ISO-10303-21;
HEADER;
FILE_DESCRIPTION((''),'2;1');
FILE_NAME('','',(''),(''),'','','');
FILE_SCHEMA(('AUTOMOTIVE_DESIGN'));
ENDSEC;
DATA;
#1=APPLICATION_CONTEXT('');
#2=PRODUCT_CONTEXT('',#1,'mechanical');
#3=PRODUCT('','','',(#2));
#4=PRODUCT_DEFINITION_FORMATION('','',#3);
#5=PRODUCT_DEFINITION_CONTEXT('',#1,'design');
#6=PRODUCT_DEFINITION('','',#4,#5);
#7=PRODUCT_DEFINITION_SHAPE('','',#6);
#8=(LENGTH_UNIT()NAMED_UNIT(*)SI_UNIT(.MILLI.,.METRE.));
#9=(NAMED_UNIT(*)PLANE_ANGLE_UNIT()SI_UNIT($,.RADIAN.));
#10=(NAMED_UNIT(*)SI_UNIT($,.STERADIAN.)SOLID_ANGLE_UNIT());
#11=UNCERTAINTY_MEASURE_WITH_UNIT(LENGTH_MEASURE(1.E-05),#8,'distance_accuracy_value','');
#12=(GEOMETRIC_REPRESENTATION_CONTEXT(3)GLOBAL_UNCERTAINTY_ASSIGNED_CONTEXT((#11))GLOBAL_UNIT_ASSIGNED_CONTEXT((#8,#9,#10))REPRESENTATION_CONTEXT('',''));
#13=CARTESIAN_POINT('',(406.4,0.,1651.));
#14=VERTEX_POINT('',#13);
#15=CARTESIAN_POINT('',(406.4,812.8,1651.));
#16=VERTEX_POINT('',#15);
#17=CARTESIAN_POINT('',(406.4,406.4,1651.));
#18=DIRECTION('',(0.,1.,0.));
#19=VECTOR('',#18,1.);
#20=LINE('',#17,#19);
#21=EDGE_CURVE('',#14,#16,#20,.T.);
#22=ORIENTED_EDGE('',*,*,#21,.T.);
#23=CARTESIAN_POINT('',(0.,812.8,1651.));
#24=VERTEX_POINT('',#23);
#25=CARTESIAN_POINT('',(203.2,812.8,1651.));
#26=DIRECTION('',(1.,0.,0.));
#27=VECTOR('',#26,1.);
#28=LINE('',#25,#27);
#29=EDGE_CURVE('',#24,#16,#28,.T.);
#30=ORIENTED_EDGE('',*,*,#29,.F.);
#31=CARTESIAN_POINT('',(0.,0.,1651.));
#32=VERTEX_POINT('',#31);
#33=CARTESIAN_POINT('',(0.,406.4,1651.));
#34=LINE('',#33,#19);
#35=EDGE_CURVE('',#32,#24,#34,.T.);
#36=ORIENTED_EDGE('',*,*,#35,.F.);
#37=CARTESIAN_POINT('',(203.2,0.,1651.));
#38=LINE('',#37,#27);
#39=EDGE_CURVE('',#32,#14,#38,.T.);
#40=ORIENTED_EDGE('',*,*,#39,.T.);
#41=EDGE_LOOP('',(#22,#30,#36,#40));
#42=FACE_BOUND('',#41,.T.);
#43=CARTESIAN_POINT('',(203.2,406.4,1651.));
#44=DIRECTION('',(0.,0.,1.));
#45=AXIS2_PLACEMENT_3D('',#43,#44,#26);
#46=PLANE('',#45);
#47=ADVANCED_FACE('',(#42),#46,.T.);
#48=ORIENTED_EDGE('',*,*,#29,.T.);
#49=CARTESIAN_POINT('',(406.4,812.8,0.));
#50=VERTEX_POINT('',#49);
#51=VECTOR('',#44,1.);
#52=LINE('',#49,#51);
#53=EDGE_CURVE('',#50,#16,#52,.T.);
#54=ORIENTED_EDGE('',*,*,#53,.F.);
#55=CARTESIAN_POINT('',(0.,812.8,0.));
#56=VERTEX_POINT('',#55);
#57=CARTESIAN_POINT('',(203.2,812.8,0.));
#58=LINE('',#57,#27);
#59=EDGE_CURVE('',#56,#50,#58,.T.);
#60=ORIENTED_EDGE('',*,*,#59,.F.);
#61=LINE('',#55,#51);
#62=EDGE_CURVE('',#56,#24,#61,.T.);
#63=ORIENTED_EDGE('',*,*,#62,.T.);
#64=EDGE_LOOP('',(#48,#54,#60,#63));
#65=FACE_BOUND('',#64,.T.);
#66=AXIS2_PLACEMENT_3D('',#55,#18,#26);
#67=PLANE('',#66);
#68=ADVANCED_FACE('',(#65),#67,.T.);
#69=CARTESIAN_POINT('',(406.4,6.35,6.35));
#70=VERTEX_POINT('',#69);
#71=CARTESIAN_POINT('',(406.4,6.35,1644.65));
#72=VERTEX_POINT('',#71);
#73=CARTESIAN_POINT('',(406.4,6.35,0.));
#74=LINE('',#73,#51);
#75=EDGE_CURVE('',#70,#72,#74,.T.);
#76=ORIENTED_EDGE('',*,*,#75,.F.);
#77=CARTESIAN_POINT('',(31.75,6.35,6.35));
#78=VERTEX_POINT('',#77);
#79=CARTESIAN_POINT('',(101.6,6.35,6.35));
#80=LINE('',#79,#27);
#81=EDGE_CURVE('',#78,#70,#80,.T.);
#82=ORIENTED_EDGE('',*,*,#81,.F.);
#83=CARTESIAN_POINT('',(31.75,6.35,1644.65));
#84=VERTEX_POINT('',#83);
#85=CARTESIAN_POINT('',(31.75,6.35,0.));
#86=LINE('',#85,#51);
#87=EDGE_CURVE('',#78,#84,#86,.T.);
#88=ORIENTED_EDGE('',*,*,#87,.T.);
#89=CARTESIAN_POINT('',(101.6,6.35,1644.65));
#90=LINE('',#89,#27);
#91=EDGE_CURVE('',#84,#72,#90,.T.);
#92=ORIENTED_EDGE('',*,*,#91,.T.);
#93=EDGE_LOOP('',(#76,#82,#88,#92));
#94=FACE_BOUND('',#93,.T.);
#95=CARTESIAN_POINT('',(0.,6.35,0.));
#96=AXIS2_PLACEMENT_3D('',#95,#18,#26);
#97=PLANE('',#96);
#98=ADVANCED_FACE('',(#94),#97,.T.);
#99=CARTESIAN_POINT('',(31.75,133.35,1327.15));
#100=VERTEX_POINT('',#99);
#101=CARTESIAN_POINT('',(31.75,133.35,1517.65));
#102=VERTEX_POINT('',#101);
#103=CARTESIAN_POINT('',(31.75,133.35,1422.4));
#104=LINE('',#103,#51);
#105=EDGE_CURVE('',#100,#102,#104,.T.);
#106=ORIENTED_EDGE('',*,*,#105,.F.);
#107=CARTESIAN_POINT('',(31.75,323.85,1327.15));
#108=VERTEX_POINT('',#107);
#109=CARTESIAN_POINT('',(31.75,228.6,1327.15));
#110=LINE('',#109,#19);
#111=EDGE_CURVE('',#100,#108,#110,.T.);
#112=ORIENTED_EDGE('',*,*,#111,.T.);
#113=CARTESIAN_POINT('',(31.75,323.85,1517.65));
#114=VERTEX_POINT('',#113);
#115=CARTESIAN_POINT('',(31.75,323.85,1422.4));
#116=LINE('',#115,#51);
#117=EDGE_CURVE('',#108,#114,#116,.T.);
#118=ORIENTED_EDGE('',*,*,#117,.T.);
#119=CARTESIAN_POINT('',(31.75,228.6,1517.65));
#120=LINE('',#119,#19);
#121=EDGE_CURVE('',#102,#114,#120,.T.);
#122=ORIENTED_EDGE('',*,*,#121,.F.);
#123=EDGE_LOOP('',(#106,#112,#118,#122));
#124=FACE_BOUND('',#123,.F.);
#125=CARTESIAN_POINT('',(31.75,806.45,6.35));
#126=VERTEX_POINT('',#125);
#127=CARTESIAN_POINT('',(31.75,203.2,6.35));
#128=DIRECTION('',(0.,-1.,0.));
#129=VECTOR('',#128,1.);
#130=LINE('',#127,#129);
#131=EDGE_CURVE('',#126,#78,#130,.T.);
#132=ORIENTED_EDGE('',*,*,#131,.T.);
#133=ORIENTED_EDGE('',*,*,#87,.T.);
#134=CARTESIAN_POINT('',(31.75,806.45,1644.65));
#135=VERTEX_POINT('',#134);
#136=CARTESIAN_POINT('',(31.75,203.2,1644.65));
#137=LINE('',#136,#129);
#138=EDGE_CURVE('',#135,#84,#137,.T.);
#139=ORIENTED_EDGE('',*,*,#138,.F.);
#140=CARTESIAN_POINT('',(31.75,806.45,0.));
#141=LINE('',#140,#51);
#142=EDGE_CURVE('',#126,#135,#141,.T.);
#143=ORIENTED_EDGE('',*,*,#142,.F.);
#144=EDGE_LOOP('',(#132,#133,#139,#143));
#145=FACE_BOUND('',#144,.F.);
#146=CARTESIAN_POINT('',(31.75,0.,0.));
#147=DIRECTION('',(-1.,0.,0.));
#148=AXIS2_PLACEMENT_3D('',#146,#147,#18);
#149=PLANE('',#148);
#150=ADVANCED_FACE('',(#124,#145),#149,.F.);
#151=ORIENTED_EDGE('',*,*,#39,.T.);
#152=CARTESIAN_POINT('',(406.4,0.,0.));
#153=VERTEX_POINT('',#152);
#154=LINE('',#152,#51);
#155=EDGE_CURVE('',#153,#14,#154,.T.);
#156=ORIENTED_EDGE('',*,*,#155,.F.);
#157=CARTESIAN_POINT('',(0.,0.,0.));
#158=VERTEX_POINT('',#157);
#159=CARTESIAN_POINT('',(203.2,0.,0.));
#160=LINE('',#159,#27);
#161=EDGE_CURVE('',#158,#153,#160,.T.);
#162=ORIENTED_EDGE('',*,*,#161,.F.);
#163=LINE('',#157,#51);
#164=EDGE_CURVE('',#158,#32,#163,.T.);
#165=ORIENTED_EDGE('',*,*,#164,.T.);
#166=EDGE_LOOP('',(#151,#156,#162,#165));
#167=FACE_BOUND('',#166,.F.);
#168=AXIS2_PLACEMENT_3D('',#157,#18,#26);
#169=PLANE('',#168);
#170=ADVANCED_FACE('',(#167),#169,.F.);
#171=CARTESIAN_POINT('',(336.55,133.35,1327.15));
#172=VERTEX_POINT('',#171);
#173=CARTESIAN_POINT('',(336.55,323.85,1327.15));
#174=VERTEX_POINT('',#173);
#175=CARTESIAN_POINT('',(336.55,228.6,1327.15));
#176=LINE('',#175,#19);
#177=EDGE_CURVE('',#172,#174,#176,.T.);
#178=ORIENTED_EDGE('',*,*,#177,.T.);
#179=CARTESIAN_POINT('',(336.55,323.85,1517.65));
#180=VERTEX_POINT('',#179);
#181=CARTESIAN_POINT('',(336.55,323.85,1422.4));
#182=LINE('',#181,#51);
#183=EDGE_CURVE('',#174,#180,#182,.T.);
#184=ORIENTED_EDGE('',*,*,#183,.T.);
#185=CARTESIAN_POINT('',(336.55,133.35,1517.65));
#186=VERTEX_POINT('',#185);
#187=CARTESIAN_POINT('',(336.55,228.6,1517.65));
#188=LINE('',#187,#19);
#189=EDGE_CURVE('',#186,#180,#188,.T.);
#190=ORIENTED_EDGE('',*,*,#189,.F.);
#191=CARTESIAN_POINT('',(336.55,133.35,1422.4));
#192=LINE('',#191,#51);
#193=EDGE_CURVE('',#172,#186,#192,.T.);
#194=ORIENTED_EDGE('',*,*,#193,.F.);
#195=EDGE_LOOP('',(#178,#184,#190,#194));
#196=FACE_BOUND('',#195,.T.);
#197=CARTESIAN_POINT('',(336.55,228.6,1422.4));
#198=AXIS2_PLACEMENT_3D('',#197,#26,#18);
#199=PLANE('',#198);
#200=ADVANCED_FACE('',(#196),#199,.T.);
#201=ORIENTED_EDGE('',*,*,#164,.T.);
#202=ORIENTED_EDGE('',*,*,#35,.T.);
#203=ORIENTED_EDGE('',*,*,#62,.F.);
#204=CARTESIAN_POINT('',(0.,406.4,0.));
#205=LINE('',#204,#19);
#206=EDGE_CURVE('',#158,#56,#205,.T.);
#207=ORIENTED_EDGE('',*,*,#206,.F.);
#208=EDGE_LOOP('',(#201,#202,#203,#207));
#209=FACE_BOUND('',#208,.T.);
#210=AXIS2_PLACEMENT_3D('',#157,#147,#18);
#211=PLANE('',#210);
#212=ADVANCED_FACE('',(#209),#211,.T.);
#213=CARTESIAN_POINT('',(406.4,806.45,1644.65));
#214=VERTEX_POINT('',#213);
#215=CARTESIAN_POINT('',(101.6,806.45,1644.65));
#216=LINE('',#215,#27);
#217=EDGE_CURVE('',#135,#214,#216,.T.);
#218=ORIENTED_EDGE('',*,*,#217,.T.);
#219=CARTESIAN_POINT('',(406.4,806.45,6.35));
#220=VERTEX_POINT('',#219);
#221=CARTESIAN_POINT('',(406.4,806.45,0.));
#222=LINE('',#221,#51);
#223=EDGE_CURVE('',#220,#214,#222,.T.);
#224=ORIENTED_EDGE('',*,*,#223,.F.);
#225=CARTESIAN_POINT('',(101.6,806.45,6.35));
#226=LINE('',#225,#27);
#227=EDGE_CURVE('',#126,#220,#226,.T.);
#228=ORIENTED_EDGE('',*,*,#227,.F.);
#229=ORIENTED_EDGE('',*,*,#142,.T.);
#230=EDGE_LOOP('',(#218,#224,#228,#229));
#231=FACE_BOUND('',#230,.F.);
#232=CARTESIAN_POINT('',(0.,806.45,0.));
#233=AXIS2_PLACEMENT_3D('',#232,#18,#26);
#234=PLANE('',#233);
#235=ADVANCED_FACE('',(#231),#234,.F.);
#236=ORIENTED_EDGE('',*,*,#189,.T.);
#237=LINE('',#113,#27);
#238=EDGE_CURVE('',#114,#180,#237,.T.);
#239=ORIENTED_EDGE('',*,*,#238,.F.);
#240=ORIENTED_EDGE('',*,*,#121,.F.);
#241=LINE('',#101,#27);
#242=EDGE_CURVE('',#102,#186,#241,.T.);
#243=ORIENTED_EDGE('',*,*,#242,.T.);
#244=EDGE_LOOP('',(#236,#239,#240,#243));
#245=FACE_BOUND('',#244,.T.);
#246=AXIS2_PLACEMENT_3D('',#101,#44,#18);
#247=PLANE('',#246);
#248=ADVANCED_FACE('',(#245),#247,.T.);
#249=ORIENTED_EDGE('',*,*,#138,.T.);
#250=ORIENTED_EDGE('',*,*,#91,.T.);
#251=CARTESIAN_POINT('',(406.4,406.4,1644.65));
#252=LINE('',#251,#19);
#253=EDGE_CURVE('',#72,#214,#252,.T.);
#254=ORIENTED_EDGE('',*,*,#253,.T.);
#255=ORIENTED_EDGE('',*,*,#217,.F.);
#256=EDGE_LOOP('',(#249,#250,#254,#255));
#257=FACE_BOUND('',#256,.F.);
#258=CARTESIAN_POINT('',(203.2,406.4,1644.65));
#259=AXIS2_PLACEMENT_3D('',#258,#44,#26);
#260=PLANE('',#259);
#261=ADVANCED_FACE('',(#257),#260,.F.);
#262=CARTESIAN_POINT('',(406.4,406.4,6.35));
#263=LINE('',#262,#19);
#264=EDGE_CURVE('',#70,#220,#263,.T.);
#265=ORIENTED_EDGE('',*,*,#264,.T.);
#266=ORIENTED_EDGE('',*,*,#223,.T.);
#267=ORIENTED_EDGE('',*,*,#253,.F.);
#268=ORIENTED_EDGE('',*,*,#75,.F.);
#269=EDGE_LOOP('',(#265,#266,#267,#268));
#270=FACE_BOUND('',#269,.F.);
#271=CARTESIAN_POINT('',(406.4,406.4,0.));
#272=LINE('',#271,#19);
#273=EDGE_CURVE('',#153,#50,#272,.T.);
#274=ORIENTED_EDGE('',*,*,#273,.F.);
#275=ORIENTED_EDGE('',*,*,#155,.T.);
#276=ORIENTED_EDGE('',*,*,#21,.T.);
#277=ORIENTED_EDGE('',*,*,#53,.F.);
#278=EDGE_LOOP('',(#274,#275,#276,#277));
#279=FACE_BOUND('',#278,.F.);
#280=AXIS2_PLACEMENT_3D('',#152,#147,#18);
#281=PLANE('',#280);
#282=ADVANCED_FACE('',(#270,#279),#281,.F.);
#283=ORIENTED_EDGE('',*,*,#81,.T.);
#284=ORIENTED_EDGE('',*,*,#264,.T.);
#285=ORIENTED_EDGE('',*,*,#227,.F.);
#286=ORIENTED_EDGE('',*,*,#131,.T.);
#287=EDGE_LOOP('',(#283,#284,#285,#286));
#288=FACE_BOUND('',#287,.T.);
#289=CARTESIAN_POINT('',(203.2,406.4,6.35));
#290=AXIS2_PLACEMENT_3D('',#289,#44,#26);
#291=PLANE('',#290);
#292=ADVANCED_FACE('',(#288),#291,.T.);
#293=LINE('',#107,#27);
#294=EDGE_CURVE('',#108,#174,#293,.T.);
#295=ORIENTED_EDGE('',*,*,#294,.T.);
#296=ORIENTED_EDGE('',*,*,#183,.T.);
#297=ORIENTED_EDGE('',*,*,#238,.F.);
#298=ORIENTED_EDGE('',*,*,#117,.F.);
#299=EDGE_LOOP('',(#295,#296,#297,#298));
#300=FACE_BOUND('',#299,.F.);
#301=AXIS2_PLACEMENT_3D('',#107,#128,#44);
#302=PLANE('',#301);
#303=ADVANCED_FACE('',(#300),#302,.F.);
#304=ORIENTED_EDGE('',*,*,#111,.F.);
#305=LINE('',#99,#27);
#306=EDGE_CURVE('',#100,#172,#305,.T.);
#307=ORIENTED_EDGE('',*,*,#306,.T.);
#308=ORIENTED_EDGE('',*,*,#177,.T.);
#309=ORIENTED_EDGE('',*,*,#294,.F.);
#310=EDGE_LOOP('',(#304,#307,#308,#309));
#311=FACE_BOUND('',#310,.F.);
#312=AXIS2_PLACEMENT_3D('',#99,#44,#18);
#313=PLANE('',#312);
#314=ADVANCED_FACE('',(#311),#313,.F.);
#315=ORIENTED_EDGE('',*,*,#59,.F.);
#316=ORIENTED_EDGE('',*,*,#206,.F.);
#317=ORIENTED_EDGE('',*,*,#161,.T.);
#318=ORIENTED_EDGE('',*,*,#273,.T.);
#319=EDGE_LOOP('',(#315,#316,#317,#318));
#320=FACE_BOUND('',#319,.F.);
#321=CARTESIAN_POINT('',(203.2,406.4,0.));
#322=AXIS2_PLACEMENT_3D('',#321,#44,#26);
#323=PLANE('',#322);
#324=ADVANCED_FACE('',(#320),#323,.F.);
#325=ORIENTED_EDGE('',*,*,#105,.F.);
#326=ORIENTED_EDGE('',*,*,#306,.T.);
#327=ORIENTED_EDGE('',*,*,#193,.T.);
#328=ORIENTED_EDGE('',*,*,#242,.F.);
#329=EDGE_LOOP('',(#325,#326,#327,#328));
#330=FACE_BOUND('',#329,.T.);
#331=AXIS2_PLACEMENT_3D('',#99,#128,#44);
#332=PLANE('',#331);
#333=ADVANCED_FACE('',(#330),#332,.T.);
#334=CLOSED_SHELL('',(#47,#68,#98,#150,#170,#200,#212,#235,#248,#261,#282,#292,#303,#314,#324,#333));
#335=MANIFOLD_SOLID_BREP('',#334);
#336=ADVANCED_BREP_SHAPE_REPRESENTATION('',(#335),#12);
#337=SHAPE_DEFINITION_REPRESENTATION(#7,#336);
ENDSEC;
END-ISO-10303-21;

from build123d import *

# Parameters (mm, degrees)
F0_W     = 406.4
F0_H     = 812.8
F1_DEPTH = 1651
F2_T     = -6.35
F3_DEPTH = 25.4
F4_W     = 190.5
F4_H     = 190.5
F5_DEPTH = 304.8


with BuildPart() as f1:
    # F0 (on Top) → F1 (new body)
    with BuildSketch(Plane.XY):
        with Locations((203.2, 406.4)):
            Rectangle(F0_W, F0_H)
    extrude(amount=F1_DEPTH)

    # F2
    f2_openings = [f1.faces().sort_by_distance(p)[0] for p in [
        (406.4, 406.4, 825.5),
    ]]
    offset(amount=F2_T, openings=f2_openings)

    # F3 (add): a face of the model
    f3_faces = [f1.faces().sort_by_distance(p)[0] for p in [
        (6.35, 406.4, 825.5),
    ]]
    extrude(f3_faces, amount=F3_DEPTH)

    # F4 (on face) → F5 (join)
    with BuildSketch(Plane.YZ.offset(31.75)):
        with Locations((228.6, 1422.4)):
            Rectangle(F4_W, F4_H)
    extrude(amount=F5_DEPTH)


solid = f1.part
